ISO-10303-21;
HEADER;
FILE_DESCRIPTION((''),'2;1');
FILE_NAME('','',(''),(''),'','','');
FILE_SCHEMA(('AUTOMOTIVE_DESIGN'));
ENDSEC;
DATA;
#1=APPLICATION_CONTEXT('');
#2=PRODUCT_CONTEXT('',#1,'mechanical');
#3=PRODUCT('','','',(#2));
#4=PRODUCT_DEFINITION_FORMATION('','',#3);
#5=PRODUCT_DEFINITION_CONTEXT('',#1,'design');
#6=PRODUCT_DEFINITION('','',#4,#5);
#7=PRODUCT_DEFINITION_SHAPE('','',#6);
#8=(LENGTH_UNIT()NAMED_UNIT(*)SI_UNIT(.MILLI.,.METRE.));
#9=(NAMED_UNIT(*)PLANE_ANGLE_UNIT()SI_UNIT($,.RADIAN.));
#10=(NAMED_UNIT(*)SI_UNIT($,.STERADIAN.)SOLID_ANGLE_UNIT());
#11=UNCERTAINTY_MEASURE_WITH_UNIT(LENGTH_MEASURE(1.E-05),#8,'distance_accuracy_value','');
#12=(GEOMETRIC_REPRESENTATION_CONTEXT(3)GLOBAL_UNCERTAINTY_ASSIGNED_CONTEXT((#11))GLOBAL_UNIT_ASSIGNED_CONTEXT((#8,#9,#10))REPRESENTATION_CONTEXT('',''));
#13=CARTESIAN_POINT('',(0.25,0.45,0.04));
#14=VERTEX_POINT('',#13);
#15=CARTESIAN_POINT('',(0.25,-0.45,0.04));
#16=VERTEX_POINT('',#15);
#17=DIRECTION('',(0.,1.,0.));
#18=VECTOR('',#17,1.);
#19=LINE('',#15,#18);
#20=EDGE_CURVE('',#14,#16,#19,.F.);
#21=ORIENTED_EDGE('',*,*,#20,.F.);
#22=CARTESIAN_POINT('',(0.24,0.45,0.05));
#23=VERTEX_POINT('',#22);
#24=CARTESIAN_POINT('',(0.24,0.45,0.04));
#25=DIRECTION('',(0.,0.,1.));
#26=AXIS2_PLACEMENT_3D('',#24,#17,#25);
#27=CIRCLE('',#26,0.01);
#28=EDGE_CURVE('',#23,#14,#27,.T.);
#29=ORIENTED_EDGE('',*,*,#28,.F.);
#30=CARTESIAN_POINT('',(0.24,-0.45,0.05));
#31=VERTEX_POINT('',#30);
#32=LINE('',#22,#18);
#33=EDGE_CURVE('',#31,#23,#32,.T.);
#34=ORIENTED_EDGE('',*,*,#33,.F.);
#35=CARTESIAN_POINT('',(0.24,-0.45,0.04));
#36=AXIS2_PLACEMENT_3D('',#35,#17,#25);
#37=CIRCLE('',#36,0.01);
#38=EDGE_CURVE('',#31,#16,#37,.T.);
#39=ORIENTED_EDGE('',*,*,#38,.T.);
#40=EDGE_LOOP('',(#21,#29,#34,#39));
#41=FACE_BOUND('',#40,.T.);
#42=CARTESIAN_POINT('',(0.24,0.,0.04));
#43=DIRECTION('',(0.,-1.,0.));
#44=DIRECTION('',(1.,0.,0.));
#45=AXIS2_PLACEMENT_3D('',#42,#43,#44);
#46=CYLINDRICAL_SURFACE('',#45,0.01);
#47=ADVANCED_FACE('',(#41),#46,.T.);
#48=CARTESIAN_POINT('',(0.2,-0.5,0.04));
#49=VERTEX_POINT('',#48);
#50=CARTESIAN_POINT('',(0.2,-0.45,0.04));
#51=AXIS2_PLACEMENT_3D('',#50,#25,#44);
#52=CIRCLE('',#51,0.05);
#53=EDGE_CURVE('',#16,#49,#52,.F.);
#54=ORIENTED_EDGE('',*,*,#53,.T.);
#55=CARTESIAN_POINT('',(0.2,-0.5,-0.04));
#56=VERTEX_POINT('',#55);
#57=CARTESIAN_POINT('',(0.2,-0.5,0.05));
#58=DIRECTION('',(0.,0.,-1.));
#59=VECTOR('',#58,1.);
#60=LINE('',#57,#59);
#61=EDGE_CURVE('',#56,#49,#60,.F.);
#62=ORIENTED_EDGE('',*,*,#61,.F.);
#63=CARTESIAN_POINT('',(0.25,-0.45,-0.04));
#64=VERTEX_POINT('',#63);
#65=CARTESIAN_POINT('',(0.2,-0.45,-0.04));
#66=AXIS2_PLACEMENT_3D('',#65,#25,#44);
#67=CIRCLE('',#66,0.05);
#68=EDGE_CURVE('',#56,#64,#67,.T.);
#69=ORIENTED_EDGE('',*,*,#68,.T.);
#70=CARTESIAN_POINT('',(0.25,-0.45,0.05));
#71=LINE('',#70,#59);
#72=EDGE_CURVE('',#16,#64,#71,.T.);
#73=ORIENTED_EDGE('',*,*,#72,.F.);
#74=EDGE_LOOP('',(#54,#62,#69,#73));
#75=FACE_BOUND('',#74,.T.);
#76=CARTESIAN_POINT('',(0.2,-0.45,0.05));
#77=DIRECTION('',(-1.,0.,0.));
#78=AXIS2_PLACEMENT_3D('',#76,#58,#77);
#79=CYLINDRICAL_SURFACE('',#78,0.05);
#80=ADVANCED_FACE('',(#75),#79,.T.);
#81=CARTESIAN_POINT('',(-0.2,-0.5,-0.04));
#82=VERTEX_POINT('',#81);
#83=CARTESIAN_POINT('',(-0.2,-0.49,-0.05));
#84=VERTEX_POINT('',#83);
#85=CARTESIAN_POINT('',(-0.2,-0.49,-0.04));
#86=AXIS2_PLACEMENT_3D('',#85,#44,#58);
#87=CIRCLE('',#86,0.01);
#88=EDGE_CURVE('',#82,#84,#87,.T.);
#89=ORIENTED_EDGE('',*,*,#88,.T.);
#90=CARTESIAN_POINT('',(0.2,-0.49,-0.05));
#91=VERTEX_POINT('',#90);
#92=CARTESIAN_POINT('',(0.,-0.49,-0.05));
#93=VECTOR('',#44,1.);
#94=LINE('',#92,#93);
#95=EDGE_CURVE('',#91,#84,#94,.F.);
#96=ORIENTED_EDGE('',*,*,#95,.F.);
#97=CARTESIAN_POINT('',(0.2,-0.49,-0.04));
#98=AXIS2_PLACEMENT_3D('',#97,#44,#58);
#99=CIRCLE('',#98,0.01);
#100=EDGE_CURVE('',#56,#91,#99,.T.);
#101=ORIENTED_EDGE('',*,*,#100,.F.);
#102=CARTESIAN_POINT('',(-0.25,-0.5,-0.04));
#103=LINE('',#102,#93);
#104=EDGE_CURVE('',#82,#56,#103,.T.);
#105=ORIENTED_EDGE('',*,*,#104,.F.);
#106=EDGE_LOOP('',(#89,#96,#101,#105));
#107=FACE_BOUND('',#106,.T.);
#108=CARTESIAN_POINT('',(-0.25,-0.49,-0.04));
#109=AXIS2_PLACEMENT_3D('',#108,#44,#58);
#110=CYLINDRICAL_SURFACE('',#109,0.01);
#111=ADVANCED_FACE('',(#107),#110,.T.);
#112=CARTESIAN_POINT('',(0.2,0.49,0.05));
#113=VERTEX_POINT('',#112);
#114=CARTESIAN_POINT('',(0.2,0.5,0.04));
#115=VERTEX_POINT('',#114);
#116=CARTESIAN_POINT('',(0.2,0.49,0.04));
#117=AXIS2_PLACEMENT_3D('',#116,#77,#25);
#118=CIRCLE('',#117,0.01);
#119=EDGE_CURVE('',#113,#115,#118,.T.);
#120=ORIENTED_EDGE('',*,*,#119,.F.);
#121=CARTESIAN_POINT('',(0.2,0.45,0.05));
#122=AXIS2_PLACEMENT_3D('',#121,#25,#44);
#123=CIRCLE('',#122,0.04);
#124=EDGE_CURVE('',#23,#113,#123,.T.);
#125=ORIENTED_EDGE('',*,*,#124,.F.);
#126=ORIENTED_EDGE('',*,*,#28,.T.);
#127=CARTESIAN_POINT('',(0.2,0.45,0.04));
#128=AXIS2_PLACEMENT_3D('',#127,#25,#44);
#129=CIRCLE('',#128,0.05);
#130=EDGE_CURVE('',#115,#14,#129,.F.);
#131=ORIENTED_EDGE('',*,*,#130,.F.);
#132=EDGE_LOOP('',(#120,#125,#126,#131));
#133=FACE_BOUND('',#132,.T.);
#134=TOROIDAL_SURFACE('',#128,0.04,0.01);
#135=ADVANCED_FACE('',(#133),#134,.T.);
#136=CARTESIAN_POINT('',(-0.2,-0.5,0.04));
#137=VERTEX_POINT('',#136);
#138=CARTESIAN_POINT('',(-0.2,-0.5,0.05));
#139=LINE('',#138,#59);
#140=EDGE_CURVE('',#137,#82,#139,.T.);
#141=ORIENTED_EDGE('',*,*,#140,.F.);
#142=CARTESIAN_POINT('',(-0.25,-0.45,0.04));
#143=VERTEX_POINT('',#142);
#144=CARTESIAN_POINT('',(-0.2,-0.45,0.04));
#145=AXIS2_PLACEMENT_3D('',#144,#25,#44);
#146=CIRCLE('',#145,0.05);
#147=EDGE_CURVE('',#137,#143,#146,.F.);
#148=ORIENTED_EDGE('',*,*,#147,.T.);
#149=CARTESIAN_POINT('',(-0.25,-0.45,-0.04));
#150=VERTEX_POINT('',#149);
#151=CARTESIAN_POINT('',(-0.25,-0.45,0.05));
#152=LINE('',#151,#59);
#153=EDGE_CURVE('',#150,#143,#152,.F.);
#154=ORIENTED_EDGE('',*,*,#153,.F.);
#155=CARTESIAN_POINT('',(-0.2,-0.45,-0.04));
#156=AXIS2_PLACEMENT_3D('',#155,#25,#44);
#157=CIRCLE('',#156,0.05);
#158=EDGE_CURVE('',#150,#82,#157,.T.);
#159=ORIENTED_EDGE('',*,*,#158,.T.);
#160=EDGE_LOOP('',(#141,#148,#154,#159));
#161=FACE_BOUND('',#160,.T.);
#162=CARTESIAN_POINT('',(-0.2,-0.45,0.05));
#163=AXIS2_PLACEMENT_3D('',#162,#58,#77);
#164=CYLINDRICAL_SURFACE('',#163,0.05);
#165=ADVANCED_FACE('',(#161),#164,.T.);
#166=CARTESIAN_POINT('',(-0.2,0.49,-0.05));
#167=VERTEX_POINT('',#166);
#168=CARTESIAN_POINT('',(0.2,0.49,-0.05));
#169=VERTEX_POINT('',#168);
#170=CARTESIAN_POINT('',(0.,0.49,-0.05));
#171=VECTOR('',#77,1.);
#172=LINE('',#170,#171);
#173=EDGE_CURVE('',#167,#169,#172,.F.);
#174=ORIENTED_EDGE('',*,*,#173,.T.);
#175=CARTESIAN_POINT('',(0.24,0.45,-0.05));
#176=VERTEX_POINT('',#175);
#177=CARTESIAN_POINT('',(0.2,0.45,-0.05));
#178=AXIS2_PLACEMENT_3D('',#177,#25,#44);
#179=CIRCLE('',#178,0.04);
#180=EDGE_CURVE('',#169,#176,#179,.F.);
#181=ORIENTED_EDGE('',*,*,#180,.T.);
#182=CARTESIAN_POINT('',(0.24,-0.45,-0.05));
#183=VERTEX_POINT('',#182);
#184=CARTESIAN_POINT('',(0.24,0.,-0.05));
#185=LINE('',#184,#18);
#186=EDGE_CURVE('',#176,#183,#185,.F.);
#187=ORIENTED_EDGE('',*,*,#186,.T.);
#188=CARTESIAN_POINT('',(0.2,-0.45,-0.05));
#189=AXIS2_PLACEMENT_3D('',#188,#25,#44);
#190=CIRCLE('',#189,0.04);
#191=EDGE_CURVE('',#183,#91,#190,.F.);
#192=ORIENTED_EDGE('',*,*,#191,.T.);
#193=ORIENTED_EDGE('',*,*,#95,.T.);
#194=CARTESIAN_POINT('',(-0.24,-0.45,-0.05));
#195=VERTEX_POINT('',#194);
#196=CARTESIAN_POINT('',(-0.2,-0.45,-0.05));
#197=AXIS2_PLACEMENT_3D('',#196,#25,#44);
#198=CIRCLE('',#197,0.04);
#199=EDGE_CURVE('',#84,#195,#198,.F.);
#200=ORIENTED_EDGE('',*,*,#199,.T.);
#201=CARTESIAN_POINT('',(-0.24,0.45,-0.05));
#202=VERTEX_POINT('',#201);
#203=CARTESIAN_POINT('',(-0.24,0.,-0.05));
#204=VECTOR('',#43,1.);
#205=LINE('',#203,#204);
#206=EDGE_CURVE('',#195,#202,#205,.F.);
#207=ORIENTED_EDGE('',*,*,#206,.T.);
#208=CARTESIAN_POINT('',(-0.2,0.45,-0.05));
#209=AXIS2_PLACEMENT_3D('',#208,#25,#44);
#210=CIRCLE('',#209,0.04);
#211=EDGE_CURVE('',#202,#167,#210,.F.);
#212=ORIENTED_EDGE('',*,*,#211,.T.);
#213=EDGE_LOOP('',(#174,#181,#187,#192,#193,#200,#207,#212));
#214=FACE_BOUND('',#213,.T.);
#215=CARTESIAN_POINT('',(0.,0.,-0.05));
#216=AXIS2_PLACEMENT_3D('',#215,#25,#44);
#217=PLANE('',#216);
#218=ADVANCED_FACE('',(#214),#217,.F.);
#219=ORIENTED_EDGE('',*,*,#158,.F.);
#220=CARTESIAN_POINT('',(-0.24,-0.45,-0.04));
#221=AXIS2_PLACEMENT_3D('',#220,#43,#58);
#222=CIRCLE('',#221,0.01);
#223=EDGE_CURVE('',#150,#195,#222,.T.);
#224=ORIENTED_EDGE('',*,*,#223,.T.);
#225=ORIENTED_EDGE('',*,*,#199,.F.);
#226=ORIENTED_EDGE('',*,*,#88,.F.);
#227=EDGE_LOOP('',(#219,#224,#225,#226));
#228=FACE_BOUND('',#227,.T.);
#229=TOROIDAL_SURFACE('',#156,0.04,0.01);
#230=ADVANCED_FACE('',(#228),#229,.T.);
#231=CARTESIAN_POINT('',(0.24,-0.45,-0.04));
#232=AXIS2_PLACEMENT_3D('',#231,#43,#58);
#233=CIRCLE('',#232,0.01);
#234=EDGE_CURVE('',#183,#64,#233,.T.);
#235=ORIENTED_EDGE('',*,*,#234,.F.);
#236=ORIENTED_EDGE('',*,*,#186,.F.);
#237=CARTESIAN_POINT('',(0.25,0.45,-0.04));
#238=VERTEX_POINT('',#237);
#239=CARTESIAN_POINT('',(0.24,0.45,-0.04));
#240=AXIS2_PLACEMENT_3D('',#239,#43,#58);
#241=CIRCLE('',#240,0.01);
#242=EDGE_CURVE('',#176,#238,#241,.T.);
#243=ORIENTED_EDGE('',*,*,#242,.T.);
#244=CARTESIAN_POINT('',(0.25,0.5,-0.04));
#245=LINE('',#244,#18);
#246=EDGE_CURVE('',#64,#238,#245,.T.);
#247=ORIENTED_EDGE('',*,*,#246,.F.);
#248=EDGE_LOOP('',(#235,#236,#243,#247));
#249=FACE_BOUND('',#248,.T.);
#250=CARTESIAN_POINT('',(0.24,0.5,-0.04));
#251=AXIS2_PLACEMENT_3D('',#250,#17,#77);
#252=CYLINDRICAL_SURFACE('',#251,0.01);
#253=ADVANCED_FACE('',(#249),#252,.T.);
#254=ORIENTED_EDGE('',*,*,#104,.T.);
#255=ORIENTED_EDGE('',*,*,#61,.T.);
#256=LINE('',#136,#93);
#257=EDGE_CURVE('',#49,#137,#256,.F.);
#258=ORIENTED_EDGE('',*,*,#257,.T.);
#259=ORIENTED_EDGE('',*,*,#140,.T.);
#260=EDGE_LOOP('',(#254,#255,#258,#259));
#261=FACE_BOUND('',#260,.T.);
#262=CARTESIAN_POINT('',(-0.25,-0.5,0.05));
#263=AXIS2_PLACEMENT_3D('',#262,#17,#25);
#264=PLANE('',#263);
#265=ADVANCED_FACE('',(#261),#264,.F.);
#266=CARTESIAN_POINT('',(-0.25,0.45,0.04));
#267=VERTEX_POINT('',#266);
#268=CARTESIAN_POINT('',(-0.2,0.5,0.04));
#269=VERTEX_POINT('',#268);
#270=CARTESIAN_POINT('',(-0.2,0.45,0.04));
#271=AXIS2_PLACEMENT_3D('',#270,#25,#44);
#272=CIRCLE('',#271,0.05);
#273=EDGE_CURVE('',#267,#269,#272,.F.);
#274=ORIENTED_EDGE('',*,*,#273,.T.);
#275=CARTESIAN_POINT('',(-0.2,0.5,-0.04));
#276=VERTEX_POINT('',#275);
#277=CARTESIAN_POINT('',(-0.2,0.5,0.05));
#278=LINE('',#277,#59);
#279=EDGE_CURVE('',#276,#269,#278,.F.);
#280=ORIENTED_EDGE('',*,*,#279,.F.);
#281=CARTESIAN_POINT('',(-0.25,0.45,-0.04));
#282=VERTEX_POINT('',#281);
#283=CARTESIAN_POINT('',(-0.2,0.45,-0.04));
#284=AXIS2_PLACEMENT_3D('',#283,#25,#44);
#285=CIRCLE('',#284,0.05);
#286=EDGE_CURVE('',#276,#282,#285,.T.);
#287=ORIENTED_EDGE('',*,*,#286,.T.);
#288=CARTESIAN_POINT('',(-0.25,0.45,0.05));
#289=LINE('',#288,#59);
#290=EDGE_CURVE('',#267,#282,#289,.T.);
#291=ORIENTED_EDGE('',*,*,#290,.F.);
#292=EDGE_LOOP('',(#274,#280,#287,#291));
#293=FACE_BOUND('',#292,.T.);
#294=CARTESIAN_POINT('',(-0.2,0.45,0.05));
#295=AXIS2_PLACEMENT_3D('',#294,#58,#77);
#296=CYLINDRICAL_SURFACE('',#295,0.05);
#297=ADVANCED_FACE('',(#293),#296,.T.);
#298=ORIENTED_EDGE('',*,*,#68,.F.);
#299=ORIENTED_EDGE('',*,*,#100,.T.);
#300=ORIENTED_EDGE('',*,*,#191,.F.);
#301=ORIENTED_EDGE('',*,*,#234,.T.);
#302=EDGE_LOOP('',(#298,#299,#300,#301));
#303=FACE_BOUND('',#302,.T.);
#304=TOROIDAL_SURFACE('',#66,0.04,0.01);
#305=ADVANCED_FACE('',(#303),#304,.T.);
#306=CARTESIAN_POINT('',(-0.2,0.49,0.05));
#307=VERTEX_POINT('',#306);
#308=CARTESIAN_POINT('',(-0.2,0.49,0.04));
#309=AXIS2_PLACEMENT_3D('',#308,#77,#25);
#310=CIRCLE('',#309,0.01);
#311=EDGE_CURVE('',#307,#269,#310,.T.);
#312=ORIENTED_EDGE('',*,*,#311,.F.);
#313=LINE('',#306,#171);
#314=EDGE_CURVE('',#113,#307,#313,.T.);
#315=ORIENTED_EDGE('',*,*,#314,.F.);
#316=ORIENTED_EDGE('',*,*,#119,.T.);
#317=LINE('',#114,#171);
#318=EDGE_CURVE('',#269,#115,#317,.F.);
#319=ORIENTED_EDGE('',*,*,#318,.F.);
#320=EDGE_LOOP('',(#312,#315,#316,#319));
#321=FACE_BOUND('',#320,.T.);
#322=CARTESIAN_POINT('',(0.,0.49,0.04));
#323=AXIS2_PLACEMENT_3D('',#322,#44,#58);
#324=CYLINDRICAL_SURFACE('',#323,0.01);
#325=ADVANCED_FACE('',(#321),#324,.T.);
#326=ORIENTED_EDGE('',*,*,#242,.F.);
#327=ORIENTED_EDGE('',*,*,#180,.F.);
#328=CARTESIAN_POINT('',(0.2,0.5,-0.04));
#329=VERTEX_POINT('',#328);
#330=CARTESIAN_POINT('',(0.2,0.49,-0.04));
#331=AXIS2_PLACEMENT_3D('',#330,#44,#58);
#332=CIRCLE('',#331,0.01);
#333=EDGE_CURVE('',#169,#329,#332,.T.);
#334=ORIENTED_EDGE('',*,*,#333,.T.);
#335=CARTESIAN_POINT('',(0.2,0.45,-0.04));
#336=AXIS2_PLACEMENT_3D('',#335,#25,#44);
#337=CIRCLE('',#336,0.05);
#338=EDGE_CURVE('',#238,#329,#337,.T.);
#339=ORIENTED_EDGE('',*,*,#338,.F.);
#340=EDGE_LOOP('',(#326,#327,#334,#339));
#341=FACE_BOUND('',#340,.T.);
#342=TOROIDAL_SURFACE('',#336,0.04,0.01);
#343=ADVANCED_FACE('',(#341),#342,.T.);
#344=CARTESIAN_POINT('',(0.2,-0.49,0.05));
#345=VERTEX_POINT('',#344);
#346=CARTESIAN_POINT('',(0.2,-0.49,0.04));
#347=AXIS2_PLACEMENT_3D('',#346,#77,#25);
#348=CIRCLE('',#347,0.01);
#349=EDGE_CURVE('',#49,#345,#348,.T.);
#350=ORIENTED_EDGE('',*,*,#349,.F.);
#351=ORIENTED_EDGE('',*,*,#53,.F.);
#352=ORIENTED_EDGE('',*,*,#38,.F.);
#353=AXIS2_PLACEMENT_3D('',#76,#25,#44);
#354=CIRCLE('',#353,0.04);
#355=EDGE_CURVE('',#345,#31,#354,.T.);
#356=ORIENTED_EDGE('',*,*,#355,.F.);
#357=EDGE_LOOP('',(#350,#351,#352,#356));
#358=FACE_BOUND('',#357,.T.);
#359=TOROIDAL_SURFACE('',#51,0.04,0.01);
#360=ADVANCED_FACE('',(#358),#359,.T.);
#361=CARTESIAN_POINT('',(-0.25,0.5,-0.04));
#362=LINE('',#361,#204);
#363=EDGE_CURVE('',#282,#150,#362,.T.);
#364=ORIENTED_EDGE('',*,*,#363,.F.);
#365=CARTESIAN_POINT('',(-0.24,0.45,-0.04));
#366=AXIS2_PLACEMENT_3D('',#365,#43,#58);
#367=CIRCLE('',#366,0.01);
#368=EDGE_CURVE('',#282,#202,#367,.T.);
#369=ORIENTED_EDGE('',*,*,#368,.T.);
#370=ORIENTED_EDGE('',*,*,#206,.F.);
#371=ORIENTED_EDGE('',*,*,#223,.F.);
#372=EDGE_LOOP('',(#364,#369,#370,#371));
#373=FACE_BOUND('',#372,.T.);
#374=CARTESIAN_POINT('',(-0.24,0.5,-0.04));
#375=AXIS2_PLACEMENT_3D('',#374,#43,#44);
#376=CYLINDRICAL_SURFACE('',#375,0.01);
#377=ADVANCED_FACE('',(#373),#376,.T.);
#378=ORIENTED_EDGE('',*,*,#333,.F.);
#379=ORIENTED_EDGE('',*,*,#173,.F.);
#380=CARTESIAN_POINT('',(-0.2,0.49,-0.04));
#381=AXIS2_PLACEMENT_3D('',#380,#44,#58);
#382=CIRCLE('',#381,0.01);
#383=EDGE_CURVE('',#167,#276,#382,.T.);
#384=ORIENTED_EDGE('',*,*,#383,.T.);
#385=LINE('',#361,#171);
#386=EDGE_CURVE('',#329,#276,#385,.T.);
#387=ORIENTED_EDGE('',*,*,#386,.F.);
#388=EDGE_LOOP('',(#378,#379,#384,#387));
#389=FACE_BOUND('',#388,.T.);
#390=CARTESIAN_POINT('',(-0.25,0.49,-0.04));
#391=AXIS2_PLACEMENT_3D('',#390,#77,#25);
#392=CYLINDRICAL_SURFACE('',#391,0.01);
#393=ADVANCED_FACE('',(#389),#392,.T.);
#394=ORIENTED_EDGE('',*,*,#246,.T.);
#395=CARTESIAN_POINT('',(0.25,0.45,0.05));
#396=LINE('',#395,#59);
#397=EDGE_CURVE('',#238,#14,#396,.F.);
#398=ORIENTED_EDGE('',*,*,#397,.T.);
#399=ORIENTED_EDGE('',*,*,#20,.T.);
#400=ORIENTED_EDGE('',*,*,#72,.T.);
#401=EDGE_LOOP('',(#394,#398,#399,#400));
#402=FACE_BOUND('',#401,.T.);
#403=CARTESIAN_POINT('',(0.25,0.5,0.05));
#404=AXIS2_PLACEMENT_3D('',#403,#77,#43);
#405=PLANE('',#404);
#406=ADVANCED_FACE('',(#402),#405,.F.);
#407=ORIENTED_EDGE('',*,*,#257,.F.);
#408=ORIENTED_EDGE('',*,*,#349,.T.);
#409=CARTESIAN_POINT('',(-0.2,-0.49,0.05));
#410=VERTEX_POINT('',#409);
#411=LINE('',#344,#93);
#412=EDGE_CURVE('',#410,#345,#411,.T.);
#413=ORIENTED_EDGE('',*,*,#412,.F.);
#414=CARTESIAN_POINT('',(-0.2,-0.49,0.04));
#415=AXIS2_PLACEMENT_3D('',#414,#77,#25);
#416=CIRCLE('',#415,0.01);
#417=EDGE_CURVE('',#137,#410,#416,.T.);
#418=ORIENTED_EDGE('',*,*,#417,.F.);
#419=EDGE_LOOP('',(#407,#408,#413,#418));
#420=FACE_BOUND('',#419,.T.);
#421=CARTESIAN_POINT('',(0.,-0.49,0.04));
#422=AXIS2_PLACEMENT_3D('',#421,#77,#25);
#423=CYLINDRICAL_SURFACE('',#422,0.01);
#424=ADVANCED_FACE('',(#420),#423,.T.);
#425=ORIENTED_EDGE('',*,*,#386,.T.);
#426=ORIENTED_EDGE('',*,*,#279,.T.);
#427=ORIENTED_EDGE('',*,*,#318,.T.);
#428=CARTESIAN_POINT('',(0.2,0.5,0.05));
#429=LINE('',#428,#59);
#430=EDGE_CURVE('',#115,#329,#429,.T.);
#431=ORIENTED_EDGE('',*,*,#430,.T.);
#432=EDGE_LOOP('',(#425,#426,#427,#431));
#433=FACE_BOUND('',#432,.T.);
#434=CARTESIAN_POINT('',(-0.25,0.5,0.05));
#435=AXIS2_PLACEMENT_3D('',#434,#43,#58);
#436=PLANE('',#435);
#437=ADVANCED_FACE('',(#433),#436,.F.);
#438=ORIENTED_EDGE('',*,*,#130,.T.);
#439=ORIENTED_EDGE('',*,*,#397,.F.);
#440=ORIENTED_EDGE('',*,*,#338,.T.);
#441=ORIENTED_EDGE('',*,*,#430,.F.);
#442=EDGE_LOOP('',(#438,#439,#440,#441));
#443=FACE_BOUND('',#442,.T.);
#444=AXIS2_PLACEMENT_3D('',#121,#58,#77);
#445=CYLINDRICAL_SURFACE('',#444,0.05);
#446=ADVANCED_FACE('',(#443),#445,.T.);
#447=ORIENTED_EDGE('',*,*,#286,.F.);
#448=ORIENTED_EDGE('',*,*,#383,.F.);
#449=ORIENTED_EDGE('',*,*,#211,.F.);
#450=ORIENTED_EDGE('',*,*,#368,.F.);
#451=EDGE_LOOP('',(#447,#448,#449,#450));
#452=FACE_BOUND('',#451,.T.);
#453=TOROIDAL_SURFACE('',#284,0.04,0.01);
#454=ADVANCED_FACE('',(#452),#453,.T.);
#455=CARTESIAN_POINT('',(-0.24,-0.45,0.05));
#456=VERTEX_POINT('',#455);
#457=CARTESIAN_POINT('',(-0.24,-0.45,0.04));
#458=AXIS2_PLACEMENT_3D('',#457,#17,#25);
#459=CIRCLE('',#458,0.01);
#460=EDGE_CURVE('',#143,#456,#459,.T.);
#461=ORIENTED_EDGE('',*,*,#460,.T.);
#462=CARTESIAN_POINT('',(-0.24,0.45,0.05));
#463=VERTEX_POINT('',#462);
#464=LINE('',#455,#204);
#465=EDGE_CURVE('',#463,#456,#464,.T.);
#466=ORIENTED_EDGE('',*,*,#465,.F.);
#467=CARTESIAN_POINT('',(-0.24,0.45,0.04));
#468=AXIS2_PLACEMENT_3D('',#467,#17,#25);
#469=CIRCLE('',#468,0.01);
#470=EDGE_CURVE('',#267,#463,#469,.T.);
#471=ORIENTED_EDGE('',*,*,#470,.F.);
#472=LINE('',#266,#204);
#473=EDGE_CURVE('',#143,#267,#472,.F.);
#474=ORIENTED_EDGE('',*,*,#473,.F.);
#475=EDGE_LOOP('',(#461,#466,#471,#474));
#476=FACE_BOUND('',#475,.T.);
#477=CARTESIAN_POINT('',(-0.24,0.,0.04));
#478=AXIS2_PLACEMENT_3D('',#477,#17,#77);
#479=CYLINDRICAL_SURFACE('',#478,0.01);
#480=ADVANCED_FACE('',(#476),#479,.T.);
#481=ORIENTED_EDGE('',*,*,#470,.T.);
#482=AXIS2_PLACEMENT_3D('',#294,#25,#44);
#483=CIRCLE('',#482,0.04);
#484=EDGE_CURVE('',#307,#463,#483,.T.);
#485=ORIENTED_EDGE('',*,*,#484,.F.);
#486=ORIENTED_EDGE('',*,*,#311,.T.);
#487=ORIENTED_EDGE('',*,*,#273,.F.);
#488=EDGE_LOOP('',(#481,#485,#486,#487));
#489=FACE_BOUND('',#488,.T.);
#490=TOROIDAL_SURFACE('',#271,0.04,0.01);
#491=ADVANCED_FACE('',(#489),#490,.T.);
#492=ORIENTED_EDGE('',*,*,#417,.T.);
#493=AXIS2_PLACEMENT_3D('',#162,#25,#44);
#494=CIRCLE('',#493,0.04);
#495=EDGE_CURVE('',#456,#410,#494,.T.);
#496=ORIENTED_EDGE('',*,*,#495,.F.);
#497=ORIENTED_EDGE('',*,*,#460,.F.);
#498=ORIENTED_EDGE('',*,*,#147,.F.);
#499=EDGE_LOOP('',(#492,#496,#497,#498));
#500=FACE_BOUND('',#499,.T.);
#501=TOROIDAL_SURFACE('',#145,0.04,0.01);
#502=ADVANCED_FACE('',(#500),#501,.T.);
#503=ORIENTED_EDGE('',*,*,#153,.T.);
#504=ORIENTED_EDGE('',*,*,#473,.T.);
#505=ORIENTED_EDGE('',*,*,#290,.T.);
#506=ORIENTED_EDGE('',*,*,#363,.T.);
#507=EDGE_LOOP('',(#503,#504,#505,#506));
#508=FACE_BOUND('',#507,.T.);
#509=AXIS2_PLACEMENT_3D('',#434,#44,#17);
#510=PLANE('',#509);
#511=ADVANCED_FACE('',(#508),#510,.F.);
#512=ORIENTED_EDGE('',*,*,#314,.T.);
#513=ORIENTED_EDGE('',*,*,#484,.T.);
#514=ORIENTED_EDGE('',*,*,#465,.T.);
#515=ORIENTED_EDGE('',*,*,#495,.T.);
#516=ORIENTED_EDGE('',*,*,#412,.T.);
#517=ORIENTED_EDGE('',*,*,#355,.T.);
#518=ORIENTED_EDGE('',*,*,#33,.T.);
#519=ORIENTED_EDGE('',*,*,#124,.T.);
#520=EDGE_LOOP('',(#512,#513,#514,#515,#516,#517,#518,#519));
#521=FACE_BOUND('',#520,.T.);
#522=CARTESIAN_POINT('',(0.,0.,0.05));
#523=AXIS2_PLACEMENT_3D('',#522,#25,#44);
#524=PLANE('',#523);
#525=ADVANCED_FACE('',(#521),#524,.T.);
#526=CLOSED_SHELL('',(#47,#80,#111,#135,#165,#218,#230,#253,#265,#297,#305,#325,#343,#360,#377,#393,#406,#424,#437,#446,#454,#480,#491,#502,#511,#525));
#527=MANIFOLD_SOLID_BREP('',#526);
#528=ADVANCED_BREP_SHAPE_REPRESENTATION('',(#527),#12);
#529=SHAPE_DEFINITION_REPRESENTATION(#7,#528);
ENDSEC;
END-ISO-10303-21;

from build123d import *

# Parameters (mm, degrees)
CROQUIS1_W              = 0.5
CROQUIS1_H              = 1
SALIENTE_EXTRUIR1_DEPTH = 0.05
REDONDEO3_R             = 0.05
REDONDEO4_R             = 0.01


with BuildPart() as part:
    # Croquis1 → Saliente-Extruir1 (new, symmetric)
    with BuildSketch(Plane.XY):
        Rectangle(CROQUIS1_W, CROQUIS1_H)
    extrude(amount=SALIENTE_EXTRUIR1_DEPTH, both=True)

    # Redondeo3
    redondeo3_edges = [part.edges().sort_by_distance(p)[0] for p in [
        (-0.25, 0.5, 0),
        (0.25, 0.5, 0),
        (0.25, -0.5, 0),
        (-0.25, -0.5, 0),
    ]]
    fillet(redondeo3_edges, radius=REDONDEO3_R)

    # Redondeo4
    redondeo4_edges = [part.edges().sort_by_distance(p)[0] for p in [
        (0, -0.5, -0.05),
        (0, -0.5, 0.05),
        (-0.25, 0, -0.05),
        (0, 0.5, -0.05),
        (0.25, 0, -0.05),
        (0.235355339, 0.485355339, -0.05),
        (-0.235355339, 0.485355339, -0.05),
        (0.235355339, -0.485355339, -0.05),
        (-0.235355339, -0.485355339, -0.05),
        (-0.25, 0, 0.05),
        (0.25, 0, 0.05),
        (0, 0.5, 0.05),
        (0.235355339, 0.485355339, 0.05),
        (-0.235355339, 0.485355339, 0.05),
        (0.235355339, -0.485355339, 0.05),
        (-0.235355339, -0.485355339, 0.05),
    ]]
    fillet(redondeo4_edges, radius=REDONDEO4_R)


solid = part.part
